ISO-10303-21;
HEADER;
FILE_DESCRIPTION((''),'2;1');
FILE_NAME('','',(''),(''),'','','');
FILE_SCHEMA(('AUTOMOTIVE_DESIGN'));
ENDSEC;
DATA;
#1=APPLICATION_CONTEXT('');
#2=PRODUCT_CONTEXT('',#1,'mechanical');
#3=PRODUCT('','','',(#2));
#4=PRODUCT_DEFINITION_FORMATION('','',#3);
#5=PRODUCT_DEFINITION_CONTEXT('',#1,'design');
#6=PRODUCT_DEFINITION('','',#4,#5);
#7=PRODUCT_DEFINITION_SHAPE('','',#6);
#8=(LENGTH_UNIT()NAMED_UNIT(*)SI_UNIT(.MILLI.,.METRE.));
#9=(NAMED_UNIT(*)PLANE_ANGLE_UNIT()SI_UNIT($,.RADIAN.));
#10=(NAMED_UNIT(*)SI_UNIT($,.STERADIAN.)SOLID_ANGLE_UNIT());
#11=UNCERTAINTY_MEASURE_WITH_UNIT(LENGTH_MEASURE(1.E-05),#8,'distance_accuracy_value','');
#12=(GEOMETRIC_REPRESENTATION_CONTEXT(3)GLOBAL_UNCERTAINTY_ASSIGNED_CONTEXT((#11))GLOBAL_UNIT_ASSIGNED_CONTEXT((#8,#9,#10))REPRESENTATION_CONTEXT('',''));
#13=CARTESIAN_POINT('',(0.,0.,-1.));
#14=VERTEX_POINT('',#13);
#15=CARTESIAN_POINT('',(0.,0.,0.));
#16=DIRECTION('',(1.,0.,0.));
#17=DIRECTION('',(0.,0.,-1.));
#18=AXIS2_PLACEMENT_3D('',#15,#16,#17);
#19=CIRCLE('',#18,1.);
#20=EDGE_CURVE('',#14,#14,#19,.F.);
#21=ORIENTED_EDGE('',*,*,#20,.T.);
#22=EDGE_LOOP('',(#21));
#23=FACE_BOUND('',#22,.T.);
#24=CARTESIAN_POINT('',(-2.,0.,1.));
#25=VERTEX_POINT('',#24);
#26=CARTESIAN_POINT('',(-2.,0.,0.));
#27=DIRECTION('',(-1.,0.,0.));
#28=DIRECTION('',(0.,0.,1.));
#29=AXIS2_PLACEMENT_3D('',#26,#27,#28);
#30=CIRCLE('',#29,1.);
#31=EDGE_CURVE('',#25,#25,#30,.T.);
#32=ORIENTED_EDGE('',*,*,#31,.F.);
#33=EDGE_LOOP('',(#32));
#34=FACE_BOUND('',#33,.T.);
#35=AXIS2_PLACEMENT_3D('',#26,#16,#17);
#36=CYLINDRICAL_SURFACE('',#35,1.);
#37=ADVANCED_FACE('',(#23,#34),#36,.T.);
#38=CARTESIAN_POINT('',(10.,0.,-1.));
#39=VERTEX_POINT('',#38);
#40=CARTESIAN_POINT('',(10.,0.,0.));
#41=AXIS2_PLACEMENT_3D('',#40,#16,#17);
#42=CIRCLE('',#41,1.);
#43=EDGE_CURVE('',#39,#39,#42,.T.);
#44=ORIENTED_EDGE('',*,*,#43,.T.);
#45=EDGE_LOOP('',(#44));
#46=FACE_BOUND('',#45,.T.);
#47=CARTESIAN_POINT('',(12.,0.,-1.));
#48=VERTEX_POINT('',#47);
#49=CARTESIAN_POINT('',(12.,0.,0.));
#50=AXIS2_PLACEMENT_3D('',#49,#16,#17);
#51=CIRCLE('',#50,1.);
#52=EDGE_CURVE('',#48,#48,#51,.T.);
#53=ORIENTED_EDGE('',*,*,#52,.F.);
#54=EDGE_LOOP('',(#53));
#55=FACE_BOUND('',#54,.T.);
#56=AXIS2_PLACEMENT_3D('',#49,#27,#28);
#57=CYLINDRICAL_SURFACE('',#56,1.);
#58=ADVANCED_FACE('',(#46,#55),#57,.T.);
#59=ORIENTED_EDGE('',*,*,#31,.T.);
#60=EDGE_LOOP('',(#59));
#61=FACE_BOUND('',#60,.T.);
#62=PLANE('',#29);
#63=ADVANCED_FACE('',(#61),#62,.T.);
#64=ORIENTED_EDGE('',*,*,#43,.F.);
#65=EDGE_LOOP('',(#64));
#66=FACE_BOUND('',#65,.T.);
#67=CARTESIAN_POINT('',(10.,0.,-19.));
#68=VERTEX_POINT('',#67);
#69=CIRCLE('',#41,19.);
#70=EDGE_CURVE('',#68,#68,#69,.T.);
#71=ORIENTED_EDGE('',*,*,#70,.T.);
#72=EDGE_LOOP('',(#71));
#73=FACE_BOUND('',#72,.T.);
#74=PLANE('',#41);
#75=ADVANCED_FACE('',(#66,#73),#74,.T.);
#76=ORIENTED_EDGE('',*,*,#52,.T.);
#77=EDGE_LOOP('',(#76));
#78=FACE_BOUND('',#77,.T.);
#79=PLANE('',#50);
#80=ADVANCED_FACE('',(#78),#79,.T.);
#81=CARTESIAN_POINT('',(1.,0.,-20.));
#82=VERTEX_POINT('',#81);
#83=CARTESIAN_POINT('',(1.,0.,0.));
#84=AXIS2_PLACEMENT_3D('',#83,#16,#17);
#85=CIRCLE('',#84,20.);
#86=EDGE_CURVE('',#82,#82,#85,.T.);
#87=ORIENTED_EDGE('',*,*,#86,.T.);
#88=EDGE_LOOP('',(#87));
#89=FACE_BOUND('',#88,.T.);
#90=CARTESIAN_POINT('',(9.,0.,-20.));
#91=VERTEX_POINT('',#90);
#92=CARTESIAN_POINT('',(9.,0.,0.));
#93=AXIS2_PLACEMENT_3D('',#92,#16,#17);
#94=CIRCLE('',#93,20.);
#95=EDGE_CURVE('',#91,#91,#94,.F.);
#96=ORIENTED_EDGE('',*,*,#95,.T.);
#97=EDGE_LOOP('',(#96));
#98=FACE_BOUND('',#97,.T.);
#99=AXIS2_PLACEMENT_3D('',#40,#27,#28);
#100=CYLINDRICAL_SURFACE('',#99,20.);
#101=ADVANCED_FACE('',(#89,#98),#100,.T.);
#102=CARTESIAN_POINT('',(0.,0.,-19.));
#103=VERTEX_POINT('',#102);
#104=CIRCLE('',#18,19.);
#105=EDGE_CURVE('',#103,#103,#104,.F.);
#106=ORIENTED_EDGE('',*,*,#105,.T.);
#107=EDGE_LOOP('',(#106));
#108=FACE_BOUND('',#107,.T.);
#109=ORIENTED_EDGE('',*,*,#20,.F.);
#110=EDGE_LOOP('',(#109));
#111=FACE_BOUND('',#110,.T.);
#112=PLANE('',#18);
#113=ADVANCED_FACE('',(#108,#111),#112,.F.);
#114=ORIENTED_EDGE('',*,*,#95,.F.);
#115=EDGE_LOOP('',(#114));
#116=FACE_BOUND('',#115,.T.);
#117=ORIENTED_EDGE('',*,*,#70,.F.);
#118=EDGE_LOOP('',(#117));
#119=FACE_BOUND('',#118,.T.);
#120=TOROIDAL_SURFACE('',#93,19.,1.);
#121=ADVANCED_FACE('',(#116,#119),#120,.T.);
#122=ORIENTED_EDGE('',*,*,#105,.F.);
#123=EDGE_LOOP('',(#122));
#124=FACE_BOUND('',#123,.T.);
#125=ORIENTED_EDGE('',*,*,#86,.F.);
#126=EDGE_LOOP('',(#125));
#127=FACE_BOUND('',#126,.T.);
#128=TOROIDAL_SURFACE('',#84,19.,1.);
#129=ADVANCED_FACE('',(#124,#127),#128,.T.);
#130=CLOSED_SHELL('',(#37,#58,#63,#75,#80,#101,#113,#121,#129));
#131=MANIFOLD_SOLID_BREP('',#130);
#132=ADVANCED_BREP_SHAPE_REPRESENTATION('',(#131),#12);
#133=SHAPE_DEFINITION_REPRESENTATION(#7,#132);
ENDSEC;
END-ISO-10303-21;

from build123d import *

# Parameters (mm, degrees)
SKETCH1_R           = 20
BOSS_EXTRUDE1_DEPTH = 10
SKETCH2_R           = 1
BOSS_EXTRUDE2_DEPTH = 2
SKETCH3_R           = 1
BOSS_EXTRUDE3_DEPTH = 2
FILLET2_R           = 1


with BuildPart() as part:
    # Sketch1 → Boss-Extrude1 (new body)
    with BuildSketch(Plane(origin=(0, 0, 0), x_dir=(0, 0, -1), z_dir=(1, 0, 0))):
        Circle(SKETCH1_R)
    extrude(amount=BOSS_EXTRUDE1_DEPTH)

    # Sketch2 → Boss-Extrude2 (add)
    with BuildSketch(Plane(origin=(10, 0, 0), x_dir=(0, 0, -1), z_dir=(1, 0, 0))):
        Circle(SKETCH2_R)
    extrude(amount=BOSS_EXTRUDE2_DEPTH)

    # Sketch3 → Boss-Extrude3 (add)
    with BuildSketch(Plane.ZY):
        Circle(SKETCH3_R)
    extrude(amount=BOSS_EXTRUDE3_DEPTH)

    # Fillet2
    fillet2_edges = [part.edges().sort_by_distance(p)[0] for p in [
        (0, 0, 20),
        (10, 0, 20),
    ]]
    fillet(fillet2_edges, radius=FILLET2_R)


solid = part.part
